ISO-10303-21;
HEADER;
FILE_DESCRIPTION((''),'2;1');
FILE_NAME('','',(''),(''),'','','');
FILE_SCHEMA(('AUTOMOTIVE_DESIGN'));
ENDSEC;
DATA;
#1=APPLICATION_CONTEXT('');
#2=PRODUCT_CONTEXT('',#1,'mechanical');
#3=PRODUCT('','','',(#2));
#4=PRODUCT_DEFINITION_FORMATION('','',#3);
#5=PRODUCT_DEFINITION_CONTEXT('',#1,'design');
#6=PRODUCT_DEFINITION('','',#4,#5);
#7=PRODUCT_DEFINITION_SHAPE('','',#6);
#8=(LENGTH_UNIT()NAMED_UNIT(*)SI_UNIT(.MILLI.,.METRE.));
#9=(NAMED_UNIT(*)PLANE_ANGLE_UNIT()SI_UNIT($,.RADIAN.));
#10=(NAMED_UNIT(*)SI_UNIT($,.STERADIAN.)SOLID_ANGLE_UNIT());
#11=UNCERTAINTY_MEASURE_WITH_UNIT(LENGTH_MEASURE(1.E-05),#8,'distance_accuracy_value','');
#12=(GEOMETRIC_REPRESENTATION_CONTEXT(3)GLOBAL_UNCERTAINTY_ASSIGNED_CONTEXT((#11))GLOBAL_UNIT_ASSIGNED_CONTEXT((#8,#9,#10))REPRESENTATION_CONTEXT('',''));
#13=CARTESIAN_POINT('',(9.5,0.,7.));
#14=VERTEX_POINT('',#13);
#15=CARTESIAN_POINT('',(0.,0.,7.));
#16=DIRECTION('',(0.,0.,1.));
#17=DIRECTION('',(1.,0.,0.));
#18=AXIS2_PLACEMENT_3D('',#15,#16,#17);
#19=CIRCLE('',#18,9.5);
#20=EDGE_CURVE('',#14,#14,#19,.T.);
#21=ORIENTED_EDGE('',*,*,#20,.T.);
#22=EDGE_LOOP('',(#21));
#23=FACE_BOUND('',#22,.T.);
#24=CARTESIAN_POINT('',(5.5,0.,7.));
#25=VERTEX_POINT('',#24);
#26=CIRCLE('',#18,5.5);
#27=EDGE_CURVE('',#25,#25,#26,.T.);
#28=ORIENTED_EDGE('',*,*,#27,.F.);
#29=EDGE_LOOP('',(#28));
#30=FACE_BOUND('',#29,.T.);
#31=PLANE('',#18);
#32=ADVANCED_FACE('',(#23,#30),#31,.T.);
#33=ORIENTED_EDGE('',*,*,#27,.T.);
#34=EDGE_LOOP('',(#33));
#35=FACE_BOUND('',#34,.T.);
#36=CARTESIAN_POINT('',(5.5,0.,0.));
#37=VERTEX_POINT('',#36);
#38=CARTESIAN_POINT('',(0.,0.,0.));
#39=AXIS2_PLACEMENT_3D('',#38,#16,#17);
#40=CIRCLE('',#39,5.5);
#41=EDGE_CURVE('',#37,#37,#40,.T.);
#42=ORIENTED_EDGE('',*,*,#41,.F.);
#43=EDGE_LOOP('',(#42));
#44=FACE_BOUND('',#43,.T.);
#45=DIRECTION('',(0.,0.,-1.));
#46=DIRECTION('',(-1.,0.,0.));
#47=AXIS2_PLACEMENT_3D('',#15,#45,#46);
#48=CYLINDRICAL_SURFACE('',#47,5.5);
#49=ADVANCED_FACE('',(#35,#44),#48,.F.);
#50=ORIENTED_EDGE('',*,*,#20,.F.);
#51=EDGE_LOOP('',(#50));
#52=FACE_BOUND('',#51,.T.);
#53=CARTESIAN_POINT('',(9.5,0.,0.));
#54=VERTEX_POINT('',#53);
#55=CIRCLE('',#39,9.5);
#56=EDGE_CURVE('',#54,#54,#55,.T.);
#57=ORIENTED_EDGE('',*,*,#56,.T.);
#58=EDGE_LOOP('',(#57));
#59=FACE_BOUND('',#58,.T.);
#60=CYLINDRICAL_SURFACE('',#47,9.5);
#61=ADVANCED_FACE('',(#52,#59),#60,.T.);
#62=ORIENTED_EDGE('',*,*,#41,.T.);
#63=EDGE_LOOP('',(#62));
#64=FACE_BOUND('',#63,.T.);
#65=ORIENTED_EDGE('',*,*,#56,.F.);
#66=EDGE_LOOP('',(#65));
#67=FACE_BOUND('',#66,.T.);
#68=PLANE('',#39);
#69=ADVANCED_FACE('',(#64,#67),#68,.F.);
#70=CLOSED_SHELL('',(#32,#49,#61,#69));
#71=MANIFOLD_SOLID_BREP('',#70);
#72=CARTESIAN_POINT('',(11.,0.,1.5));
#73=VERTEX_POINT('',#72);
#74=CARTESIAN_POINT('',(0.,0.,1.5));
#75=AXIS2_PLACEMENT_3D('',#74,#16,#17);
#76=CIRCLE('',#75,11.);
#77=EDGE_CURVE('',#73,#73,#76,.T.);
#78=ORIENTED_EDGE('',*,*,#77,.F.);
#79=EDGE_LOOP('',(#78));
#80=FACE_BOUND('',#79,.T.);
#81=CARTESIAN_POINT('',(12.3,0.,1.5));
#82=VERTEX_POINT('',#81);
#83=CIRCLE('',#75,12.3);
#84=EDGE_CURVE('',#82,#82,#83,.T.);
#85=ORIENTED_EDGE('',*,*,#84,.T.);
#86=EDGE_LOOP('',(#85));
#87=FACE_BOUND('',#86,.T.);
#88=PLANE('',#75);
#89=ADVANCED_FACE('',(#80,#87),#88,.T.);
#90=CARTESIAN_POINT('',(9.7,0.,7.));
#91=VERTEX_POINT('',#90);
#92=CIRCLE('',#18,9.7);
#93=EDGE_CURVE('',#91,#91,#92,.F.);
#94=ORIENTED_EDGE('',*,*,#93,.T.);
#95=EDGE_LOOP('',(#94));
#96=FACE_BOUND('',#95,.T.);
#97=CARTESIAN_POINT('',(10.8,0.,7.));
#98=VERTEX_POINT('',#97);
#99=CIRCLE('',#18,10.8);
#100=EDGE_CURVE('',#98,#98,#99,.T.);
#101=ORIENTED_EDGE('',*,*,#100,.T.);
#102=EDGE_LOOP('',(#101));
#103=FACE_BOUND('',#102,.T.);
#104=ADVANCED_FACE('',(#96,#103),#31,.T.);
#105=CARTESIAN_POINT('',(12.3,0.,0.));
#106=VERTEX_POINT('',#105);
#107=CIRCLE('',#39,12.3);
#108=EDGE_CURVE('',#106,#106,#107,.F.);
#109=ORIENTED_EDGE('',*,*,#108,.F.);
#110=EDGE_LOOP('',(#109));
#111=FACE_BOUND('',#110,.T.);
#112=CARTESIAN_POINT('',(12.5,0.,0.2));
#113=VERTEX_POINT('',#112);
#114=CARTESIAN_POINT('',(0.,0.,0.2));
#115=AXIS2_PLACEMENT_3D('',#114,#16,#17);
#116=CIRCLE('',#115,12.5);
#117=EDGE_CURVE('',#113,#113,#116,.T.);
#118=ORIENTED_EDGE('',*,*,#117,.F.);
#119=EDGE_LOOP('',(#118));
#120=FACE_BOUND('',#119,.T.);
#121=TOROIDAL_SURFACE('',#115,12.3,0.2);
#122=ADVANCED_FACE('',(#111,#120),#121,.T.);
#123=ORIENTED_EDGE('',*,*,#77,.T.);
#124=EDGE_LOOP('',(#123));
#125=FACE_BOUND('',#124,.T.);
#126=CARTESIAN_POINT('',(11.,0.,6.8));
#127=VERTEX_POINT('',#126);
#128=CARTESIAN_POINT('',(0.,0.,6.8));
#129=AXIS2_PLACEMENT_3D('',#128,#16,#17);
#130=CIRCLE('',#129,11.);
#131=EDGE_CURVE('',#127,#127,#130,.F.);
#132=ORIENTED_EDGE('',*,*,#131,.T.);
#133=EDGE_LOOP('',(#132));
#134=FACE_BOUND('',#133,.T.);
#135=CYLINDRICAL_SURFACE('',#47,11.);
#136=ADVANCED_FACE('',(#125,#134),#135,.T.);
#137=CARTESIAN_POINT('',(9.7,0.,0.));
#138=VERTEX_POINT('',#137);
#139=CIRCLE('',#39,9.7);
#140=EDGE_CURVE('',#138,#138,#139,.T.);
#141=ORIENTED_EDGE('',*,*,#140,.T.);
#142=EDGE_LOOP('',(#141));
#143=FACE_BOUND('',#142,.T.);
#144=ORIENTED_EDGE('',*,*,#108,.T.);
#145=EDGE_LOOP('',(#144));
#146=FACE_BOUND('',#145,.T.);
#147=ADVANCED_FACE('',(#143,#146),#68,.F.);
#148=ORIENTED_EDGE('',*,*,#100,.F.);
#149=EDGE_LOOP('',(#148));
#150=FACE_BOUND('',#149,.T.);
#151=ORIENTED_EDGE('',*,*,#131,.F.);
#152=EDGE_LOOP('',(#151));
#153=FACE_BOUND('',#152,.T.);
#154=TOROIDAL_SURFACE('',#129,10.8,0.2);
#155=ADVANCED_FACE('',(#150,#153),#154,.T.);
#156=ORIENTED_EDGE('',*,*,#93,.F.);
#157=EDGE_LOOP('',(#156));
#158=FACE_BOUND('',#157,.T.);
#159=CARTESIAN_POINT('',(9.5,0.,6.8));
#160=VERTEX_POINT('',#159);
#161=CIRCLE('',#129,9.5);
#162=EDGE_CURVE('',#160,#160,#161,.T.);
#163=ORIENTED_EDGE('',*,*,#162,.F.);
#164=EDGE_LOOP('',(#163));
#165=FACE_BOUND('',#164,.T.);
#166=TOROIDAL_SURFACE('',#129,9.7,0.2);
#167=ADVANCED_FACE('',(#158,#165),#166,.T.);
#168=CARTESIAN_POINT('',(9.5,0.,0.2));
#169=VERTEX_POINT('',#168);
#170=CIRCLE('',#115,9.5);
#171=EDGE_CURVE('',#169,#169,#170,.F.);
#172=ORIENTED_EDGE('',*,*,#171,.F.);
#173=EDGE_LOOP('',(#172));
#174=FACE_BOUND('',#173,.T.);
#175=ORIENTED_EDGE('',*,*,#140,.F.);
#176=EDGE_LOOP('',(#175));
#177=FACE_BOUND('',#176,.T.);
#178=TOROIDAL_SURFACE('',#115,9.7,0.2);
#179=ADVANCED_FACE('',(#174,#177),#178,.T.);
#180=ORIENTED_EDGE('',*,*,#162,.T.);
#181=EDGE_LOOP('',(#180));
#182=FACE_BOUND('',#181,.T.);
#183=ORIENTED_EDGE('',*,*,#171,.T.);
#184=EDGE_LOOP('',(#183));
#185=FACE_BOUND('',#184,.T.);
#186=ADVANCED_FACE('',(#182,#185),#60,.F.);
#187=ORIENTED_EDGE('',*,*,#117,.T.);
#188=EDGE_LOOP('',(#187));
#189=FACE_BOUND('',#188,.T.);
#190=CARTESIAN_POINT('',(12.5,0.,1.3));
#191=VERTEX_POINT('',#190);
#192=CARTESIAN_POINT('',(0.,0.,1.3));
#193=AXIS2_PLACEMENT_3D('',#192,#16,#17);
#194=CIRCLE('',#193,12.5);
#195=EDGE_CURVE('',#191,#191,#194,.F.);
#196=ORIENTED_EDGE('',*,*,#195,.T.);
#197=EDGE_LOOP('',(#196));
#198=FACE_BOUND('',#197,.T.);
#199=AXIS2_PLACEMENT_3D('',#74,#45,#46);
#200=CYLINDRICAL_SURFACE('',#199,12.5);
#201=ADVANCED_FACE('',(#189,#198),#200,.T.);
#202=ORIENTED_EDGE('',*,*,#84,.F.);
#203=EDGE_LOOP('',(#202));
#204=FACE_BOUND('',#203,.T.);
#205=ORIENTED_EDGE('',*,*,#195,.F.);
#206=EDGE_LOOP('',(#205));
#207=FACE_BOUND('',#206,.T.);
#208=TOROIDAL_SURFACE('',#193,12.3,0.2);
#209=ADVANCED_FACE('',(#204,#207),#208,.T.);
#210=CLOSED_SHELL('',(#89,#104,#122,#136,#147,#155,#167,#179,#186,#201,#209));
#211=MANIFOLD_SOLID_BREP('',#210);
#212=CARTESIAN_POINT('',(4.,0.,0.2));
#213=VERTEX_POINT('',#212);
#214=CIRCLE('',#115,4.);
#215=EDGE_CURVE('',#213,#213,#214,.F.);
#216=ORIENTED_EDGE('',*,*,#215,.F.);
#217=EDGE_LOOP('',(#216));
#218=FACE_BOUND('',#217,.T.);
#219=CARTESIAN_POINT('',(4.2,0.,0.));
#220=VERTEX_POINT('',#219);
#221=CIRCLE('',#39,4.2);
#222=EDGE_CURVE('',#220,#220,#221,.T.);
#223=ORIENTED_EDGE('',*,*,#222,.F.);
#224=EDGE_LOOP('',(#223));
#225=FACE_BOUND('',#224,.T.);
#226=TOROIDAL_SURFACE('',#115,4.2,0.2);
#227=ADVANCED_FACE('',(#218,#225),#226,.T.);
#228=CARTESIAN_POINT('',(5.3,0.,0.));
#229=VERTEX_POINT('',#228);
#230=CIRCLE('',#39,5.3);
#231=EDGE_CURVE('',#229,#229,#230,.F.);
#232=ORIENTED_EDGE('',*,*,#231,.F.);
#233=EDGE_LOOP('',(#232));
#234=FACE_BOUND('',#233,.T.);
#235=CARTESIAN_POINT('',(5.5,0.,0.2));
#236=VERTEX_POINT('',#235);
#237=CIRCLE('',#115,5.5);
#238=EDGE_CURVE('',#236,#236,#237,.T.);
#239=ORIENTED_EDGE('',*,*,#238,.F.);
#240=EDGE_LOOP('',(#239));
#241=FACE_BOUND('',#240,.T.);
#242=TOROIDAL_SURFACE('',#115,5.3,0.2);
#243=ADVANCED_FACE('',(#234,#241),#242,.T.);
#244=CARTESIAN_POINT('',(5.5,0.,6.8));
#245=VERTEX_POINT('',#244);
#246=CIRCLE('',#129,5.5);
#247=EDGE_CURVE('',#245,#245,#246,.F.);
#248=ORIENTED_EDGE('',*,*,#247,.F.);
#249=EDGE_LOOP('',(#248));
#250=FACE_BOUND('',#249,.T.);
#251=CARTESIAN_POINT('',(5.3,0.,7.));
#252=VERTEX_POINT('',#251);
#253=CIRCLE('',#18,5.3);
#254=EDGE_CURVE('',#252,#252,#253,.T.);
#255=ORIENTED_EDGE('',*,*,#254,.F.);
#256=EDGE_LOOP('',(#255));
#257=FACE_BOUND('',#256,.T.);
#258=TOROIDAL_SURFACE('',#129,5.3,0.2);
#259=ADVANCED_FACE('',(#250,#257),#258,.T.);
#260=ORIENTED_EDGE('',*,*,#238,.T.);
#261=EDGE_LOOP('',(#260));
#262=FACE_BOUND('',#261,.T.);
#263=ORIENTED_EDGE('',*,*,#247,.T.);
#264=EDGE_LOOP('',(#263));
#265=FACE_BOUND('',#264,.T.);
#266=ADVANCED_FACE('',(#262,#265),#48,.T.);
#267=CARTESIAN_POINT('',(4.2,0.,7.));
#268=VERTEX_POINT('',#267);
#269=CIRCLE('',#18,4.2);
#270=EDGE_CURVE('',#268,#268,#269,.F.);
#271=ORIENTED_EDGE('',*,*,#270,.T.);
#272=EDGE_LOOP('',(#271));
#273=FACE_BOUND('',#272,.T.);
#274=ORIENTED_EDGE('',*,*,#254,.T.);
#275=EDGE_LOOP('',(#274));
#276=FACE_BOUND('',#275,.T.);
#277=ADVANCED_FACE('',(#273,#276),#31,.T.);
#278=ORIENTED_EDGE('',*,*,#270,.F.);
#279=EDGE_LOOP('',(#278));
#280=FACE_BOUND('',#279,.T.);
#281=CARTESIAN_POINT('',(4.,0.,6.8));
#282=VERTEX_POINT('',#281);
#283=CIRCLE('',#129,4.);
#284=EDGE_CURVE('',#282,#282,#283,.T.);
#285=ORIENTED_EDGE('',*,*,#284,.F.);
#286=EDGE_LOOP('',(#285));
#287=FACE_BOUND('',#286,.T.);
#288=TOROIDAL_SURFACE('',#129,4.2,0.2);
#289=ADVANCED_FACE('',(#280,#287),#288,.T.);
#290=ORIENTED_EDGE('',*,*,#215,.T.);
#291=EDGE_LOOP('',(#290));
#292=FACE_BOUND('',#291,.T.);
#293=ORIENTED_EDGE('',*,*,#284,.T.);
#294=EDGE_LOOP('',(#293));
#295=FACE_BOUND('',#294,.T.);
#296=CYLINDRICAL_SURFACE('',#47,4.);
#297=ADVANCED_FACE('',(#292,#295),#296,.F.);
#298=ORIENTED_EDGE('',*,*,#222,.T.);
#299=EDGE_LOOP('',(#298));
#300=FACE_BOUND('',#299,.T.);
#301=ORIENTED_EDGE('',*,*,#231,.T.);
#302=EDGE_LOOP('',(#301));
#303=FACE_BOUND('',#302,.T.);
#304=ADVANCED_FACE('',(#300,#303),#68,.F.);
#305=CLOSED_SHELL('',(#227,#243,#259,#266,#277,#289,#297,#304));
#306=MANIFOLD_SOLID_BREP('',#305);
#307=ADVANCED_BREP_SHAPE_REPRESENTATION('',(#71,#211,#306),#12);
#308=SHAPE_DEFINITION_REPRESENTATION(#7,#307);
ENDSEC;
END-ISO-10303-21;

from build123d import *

# Parameters (mm, degrees)
SKETCH1_R             = 11
SKETCH1_R_2           = 9.5
BOSS_EXTRUDE1_DEPTH   = 7
SKETCH1_R_3           = 5.5
SKETCH1_R_4           = 4
BOSS_EXTRUDE1_2_DEPTH = 7
FILLET2_R             = 0.2
SKETCH1_3_R           = 9.5
SKETCH1_3_R_2         = 5.5
BOSS_EXTRUDE2_DEPTH   = 7
SKETCH2_R             = 12.5
SKETCH2_R_2           = 10.5
BOSS_EXTRUDE3_DEPTH   = 1.5
FILLET1_R             = 0.2


with BuildPart() as part:
    # Sketch1 → Boss-Extrude1 (new body)
    with BuildSketch(Plane.XY):
        Circle(SKETCH1_R)
        Circle(SKETCH1_R_2, mode=Mode.SUBTRACT)
    extrude(amount=BOSS_EXTRUDE1_DEPTH)

    # Sketch2 → Boss-Extrude3 (add)
    with BuildSketch(Plane.XY):
        Circle(SKETCH2_R)
        Circle(SKETCH2_R_2, mode=Mode.SUBTRACT)
    extrude(amount=BOSS_EXTRUDE3_DEPTH)

    # Fillet1
    fillet1_edges = [part.edges().sort_by_distance(p)[0] for p in [
        (-12.5, 0, 1.5),
        (-12.5, 0, 0),
        (-9.5, 0, 0),
        (-9.5, 0, 7),
        (-11, 0, 7),
    ]]
    fillet(fillet1_edges, radius=FILLET1_R)


with BuildPart() as body_2:
    # Sketch1 → Boss-Extrude1 2 (new body)
    with BuildSketch(Plane.XY):
        Circle(SKETCH1_R_3)
        Circle(SKETCH1_R_4, mode=Mode.SUBTRACT)
    extrude(amount=BOSS_EXTRUDE1_2_DEPTH)

    # Fillet2
    fillet2_edges = [body_2.edges().sort_by_distance(p)[0] for p in [
        (-5.5, 0, 0),
        (-4, 0, 0),
        (-4, 0, 7),
        (-5.5, 0, 7),
    ]]
    fillet(fillet2_edges, radius=FILLET2_R)


with BuildPart() as body_3:
    # Sketch1<3> → Boss-Extrude2 (new body)
    with BuildSketch(Plane.XY):
        Circle(SKETCH1_3_R)
        Circle(SKETCH1_3_R_2, mode=Mode.SUBTRACT)
    extrude(amount=BOSS_EXTRUDE2_DEPTH)


solid = Compound([part.part, body_2.part, body_3.part])
